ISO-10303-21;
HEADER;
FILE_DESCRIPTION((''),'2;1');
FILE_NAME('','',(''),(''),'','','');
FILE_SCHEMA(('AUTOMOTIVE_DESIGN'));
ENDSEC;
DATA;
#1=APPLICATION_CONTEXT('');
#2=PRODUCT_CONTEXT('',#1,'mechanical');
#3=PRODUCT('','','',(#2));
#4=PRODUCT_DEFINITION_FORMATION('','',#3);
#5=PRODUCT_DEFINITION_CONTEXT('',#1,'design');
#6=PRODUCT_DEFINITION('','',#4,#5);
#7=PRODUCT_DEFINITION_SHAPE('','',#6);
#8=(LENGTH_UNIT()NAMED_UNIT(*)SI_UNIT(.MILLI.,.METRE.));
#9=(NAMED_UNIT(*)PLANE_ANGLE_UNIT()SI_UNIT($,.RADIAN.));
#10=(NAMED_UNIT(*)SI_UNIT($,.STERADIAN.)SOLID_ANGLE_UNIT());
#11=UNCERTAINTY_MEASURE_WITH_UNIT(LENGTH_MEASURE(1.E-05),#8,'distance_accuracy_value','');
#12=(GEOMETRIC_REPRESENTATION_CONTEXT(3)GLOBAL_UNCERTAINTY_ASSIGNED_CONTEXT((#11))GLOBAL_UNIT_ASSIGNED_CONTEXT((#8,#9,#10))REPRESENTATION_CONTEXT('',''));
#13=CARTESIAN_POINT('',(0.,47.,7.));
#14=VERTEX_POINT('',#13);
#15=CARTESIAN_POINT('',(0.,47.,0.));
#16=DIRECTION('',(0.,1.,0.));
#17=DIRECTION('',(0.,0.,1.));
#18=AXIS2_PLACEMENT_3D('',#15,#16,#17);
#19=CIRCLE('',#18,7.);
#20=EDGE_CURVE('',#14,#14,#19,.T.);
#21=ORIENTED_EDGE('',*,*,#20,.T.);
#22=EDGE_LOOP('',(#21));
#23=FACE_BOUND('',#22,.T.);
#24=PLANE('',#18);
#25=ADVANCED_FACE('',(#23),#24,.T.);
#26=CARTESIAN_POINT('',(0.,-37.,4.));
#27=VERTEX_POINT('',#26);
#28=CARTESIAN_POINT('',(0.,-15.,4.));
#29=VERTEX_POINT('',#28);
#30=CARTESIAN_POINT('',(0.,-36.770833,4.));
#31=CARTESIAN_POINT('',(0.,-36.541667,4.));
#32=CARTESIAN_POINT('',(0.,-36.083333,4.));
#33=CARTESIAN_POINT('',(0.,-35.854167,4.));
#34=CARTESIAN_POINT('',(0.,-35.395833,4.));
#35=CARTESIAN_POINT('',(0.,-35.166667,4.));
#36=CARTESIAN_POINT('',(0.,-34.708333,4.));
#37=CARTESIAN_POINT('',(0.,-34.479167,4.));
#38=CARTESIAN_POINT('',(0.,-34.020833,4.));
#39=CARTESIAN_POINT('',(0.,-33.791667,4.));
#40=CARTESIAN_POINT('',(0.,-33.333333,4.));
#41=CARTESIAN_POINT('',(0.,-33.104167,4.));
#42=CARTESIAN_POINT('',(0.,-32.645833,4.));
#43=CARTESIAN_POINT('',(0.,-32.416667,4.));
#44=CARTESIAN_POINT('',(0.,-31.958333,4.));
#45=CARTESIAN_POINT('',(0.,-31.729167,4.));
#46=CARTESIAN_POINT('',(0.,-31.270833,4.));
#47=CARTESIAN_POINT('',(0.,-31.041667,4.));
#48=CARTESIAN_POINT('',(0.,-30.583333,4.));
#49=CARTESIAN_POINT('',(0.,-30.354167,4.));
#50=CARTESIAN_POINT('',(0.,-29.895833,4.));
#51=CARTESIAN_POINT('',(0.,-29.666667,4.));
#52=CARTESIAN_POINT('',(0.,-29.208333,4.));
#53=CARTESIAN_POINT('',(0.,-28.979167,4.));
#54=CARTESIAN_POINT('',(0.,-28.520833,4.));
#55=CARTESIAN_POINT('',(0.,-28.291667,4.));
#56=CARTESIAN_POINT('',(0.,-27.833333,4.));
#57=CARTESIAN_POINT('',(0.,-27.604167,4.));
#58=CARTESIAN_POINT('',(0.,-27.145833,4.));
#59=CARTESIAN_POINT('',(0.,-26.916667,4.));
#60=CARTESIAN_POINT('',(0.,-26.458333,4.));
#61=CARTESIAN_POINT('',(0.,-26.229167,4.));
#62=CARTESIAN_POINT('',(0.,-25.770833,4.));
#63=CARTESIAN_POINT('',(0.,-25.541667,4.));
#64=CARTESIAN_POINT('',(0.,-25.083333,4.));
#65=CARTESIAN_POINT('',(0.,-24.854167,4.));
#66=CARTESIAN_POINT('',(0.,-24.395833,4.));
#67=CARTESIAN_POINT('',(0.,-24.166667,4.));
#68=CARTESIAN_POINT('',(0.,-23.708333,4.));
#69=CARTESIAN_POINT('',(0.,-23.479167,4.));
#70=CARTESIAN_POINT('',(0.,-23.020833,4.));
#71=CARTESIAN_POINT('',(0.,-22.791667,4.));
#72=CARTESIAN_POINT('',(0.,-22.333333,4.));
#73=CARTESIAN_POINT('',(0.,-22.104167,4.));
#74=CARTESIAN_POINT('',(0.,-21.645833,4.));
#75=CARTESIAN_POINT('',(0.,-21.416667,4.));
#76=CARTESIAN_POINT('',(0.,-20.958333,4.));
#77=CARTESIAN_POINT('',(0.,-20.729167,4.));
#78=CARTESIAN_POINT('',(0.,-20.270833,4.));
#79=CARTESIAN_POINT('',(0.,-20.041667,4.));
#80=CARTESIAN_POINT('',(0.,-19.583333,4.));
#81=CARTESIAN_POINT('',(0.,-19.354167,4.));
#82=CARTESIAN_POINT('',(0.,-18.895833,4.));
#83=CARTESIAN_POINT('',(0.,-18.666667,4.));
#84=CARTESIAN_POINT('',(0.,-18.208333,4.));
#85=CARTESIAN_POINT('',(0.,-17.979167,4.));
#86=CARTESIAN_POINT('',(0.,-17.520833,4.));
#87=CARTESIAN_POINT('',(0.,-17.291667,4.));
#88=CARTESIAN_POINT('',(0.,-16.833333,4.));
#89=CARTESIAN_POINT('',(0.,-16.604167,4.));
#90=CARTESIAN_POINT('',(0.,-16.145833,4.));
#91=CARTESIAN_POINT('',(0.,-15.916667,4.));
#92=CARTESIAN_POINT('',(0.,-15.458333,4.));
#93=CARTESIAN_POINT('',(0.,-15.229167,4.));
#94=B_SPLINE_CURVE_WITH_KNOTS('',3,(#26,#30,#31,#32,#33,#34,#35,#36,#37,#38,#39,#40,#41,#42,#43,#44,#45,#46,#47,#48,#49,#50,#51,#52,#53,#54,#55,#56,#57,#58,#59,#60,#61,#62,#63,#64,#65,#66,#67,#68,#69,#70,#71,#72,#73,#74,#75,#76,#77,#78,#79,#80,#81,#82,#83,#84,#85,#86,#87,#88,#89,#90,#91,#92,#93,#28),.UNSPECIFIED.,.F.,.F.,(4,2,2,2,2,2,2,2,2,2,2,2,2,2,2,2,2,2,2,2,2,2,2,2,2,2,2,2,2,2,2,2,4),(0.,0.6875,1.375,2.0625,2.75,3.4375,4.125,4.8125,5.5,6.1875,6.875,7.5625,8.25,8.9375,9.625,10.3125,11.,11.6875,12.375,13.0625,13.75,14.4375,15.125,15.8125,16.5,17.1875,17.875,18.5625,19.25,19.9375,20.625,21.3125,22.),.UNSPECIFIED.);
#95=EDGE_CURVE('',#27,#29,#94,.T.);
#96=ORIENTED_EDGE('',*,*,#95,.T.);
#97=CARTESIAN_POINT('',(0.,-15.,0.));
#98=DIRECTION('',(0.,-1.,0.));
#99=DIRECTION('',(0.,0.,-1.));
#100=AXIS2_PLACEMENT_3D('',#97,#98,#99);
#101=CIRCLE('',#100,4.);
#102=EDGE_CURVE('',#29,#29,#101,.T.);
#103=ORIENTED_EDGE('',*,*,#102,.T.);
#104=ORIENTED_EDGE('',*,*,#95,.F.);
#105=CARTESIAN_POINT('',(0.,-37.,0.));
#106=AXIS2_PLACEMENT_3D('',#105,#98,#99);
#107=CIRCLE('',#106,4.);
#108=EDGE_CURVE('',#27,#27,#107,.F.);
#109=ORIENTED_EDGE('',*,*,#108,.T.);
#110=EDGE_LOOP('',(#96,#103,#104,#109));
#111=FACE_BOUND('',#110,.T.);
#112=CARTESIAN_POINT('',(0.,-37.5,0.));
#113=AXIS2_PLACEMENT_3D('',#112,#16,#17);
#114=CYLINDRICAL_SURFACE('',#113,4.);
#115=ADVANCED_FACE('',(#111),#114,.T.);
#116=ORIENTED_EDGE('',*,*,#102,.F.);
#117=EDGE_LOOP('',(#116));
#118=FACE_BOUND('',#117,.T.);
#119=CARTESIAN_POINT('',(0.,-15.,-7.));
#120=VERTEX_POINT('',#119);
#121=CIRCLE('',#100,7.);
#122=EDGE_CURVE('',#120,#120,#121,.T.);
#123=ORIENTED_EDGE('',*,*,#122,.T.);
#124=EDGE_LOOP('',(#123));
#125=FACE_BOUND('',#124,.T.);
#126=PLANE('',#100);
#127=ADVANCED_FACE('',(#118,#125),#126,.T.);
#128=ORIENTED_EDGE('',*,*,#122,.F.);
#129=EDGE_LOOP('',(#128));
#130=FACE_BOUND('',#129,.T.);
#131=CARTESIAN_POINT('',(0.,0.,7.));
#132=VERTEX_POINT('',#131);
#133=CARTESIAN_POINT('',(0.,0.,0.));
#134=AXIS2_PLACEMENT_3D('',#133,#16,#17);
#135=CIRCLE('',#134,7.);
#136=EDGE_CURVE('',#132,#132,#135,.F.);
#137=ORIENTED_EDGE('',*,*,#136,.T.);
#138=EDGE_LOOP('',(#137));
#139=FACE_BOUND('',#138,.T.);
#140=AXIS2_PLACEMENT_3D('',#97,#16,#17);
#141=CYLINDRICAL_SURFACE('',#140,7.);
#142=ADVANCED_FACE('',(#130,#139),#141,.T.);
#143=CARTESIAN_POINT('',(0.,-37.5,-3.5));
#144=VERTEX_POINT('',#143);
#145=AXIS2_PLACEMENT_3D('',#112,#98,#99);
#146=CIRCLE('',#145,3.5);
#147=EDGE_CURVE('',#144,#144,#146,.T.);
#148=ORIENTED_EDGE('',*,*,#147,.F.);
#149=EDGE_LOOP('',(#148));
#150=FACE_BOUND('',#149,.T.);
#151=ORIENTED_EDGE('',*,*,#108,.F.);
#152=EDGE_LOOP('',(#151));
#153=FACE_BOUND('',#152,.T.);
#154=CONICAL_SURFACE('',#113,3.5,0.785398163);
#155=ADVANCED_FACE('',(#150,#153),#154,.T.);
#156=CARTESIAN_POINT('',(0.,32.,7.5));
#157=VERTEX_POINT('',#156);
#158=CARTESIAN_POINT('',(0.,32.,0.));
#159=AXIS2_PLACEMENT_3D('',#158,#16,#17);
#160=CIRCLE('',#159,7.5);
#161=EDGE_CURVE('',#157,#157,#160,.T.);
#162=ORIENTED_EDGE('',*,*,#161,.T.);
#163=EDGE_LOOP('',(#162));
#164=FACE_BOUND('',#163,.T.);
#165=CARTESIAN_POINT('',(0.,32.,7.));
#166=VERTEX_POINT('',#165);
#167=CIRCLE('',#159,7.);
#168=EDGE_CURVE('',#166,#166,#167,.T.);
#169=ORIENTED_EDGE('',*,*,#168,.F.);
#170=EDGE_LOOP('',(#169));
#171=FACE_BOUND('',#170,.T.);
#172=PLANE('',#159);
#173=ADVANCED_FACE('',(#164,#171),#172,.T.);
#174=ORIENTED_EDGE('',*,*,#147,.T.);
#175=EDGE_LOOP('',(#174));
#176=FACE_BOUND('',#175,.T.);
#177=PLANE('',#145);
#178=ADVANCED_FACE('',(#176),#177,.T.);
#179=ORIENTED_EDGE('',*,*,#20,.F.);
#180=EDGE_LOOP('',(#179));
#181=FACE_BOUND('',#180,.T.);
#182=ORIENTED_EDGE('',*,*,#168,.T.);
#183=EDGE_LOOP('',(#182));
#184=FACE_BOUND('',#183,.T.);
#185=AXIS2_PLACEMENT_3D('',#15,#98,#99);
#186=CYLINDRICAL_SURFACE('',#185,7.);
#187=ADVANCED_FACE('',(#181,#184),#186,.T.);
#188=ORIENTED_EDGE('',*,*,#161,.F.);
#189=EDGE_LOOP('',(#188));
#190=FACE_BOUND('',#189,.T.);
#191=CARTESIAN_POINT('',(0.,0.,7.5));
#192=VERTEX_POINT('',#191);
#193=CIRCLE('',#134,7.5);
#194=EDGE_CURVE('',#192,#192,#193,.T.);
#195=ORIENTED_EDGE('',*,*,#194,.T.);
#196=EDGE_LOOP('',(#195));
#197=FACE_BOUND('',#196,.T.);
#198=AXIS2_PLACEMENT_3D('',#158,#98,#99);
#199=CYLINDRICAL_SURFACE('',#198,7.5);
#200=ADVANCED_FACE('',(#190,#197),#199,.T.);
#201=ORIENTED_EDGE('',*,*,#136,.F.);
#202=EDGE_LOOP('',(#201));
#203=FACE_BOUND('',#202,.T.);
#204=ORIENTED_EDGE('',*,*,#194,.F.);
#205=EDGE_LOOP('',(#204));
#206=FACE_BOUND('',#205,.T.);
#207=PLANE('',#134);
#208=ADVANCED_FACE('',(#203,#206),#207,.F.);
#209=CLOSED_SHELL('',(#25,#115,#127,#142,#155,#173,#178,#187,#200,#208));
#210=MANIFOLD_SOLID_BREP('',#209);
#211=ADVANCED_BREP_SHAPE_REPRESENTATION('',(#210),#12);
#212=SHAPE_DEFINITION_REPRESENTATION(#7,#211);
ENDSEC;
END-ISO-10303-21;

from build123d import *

# Parameters (mm, degrees)
SKETCH1_R           = 7.5
BOSS_EXTRUDE1_DEPTH = 32
SKETCH2_R           = 7
BOSS_EXTRUDE2_DEPTH = 15
BOSS_EXTRUDE3_START = 15
SKETCH3_R           = 7
BOSS_EXTRUDE3_DEPTH = 15
SKETCH4_R           = 4
BOSS_EXTRUDE4_DEPTH = 22.5
CHAMFER1_SIZE       = 0.5


with BuildPart() as part:
    # Sketch1 → Boss-Extrude1 (new body)
    with BuildSketch(Plane(origin=(0, 0, 0), x_dir=(1, 0, 0), z_dir=(0, 1, 0))):
        with Locations(Location((0, 0, 0), (0, 0, 270))):
            Circle(SKETCH1_R)
    extrude(amount=BOSS_EXTRUDE1_DEPTH)

    # Sketch2 → Boss-Extrude2 (add)
    with BuildSketch(Plane(origin=(0, 32, 0), x_dir=(1, 0, 0), z_dir=(0, 1, 0))):
        with Locations(Location((0, 0, 0), (0, 0, 270))):
            Circle(SKETCH2_R)
    extrude(amount=BOSS_EXTRUDE2_DEPTH)

    # Sketch3 → Boss-Extrude3 (add)
    with BuildSketch(Plane.XZ.offset(BOSS_EXTRUDE3_START)):
        with Locations(Location((0, 0, 0), (0, 0, 90))):
            Circle(SKETCH3_R)
    extrude(amount=-BOSS_EXTRUDE3_DEPTH)

    # Sketch4 → Boss-Extrude4 (add)
    with BuildSketch(Plane.XZ.offset(15)):
        with Locations(Location((0, 0, 0), (0, 0, 90))):
            Circle(SKETCH4_R)
    extrude(amount=BOSS_EXTRUDE4_DEPTH)

    # Chamfer1
    chamfer1_edges = [part.edges().sort_by_distance(p)[0] for p in [
        (0, -37.5, -4),
    ]]
    chamfer(chamfer1_edges, length=CHAMFER1_SIZE)


solid = part.part
